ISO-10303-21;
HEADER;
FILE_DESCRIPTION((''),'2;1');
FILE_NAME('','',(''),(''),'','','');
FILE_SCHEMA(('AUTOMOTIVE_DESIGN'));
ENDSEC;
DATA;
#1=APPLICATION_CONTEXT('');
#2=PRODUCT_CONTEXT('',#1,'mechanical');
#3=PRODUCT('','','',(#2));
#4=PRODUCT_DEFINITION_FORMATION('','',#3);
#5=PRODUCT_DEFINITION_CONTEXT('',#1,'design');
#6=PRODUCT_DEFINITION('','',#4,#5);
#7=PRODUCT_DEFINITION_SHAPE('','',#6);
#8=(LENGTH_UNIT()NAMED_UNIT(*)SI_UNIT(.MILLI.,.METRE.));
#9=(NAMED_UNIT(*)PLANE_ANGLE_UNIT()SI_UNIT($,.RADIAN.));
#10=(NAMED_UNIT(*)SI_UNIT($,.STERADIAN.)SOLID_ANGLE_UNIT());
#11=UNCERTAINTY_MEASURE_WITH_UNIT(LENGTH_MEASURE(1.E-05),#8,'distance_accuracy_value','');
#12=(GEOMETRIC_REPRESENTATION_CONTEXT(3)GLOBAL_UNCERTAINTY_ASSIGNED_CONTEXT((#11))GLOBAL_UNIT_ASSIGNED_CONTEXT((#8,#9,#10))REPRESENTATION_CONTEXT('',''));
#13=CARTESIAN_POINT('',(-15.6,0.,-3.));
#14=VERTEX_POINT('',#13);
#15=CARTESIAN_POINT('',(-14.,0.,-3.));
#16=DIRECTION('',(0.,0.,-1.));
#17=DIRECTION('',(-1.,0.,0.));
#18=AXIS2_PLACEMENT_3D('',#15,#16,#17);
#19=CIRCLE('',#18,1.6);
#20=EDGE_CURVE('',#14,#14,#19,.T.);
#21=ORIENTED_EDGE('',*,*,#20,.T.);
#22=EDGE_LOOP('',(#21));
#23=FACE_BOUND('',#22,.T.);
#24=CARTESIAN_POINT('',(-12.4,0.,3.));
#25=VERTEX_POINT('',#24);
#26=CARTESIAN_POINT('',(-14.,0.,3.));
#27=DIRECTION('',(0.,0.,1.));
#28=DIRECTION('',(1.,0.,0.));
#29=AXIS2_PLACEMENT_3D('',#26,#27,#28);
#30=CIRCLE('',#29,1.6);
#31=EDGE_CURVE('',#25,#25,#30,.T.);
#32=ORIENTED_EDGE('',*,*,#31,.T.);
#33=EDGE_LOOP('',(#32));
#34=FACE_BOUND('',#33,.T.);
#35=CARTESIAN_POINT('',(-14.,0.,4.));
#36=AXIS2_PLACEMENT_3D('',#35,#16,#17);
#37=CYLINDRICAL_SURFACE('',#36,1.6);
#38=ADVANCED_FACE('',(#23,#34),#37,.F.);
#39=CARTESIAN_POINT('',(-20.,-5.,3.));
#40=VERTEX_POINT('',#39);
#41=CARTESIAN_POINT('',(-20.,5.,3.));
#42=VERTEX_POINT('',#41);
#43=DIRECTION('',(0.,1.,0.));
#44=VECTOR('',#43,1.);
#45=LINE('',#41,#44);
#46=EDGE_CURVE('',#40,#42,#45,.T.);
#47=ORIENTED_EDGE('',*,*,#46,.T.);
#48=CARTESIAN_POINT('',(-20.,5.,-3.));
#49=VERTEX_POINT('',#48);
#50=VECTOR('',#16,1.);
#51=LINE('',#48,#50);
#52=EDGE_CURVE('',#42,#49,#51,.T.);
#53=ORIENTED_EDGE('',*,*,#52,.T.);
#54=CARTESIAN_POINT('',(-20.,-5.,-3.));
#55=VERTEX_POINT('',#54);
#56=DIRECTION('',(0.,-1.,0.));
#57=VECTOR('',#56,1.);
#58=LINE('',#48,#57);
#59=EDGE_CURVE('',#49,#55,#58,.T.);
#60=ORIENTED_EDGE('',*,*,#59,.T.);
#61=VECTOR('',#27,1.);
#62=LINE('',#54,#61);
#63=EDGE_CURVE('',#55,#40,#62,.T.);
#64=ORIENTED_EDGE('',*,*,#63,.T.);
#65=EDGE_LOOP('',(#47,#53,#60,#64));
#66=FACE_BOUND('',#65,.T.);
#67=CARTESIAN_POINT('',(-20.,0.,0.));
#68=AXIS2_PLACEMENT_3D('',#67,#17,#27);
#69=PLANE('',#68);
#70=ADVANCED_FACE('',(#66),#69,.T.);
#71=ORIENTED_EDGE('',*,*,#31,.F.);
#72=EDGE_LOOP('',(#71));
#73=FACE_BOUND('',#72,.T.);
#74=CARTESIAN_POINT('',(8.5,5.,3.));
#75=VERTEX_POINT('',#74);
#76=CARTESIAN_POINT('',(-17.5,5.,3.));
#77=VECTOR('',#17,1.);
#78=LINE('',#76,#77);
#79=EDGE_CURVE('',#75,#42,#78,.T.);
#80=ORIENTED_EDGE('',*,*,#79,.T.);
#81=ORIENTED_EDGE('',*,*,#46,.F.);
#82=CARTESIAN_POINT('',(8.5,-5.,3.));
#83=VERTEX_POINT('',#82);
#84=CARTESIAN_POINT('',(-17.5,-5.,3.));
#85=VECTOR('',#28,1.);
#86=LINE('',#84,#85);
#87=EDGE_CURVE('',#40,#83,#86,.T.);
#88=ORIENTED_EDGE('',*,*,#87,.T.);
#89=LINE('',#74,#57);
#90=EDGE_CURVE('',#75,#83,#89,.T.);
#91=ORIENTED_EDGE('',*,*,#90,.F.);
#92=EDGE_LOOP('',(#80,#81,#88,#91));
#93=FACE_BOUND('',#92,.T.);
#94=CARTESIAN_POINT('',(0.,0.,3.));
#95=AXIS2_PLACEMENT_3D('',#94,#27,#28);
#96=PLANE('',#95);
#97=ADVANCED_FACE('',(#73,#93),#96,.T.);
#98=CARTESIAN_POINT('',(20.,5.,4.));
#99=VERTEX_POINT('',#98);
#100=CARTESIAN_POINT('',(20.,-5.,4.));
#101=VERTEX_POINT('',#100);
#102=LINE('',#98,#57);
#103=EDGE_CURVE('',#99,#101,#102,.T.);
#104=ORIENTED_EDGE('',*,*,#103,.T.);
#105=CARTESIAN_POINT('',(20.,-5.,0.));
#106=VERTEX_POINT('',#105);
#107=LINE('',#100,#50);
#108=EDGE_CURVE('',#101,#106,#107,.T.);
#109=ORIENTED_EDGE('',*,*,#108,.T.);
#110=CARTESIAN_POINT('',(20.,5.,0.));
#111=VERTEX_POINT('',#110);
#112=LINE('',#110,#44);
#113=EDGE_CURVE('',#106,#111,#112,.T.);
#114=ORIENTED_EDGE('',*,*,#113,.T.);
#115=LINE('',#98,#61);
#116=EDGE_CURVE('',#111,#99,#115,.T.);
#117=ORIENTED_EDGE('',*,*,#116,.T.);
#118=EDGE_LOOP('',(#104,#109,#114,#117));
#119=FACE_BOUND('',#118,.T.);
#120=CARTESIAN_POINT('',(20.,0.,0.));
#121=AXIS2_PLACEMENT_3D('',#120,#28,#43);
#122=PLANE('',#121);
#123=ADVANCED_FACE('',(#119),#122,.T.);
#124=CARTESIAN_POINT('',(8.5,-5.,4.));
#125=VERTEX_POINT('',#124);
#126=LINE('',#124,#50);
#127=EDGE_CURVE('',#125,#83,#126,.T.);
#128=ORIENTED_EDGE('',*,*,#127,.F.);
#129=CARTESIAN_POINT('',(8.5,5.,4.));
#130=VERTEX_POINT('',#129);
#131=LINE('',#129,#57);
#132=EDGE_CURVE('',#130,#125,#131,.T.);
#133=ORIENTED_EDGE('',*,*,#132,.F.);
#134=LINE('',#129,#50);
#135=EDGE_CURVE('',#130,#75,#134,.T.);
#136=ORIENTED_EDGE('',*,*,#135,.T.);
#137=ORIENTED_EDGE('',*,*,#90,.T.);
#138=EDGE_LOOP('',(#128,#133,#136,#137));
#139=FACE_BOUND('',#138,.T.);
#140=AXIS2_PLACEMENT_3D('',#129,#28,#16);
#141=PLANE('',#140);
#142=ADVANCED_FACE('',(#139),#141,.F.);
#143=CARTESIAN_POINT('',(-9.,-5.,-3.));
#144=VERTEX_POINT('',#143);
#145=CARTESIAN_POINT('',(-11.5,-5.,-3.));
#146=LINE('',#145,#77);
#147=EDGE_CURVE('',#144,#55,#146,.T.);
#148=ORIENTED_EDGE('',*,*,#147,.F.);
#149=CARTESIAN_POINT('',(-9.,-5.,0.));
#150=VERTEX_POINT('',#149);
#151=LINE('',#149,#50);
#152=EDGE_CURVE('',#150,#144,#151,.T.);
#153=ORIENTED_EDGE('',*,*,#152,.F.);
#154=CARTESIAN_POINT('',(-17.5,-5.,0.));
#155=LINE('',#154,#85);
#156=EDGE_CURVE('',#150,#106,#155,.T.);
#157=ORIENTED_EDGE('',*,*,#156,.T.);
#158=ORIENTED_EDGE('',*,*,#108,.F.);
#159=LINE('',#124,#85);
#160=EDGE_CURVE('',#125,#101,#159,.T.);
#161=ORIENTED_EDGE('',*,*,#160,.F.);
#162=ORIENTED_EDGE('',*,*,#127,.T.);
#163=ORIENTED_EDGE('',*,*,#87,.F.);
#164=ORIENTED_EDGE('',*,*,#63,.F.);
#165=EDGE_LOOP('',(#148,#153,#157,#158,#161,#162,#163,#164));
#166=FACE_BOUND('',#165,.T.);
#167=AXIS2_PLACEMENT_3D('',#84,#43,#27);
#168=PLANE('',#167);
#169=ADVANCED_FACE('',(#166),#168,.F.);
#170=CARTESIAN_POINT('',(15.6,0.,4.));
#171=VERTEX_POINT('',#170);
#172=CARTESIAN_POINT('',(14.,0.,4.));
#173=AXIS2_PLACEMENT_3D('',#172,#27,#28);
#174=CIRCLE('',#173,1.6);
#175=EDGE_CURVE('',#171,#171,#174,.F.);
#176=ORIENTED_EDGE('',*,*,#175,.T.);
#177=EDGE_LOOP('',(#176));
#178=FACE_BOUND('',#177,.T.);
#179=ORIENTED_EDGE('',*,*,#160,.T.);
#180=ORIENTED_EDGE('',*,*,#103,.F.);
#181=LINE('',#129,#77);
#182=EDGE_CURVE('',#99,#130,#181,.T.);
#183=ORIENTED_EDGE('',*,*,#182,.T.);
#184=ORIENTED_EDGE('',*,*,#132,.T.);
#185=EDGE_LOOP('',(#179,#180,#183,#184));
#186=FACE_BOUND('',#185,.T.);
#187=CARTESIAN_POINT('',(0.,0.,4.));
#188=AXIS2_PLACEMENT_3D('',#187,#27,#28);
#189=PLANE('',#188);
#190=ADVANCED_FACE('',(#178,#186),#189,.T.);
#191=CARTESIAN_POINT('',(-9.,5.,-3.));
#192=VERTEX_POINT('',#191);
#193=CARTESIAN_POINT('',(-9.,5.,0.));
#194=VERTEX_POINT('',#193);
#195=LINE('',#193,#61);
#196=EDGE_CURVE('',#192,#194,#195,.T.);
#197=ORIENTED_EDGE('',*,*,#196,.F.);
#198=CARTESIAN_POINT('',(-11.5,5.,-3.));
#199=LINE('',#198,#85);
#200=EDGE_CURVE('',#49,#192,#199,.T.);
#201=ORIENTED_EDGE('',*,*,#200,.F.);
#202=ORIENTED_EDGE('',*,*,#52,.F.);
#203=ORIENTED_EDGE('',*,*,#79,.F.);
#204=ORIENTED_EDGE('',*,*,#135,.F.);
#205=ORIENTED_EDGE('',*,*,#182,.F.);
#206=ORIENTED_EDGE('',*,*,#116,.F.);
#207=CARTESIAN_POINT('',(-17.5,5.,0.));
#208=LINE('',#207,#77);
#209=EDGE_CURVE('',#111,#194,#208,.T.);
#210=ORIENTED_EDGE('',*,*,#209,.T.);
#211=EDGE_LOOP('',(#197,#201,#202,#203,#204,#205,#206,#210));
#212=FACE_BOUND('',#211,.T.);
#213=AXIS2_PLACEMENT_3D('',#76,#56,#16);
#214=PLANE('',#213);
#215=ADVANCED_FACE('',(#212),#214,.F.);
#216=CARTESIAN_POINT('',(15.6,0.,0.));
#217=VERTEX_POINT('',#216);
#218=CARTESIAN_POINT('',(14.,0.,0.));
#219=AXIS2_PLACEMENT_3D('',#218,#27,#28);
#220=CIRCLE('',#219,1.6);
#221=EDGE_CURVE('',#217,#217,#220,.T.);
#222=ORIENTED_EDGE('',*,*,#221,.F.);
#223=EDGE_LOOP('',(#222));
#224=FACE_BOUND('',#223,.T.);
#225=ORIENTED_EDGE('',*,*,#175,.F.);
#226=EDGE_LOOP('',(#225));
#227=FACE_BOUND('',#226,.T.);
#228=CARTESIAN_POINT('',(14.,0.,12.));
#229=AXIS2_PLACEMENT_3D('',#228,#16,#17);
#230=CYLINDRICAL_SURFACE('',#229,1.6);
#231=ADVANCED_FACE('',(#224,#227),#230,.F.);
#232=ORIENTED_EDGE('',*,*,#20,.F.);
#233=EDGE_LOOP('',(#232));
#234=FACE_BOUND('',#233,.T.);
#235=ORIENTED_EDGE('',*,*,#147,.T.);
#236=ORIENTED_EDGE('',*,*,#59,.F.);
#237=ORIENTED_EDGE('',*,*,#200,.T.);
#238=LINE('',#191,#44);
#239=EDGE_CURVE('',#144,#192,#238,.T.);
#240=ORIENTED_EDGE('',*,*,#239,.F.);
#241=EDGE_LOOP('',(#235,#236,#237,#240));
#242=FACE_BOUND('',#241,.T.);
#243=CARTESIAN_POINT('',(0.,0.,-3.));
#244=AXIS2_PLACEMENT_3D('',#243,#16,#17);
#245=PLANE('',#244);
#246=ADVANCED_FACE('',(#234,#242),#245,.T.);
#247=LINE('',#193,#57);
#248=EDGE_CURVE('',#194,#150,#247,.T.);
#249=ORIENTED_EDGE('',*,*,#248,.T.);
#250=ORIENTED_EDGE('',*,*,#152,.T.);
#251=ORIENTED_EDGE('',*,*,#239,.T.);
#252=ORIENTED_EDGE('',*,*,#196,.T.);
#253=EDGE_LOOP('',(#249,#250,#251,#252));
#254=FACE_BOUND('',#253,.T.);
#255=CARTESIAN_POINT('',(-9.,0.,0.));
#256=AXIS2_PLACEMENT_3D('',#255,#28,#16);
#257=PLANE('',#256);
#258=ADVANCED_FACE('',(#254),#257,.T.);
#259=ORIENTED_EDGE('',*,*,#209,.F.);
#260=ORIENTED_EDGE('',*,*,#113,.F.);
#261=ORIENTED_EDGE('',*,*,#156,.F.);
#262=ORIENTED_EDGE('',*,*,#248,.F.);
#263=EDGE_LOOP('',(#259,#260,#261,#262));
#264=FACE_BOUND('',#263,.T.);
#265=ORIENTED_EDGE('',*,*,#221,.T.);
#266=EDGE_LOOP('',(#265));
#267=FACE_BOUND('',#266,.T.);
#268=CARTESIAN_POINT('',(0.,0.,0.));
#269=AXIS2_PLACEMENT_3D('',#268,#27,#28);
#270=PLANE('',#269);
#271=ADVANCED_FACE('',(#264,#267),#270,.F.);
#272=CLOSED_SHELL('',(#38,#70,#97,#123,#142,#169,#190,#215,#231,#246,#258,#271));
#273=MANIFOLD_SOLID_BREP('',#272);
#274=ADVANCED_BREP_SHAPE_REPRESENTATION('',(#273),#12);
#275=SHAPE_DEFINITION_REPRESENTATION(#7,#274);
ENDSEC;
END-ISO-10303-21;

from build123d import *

# Parameters (mm, degrees)
SKETCH_1_W               = 35
SKETCH_1_H               = 10
EXTRUDE_1_DEPTH          = 3
SKETCH_2_W               = 9
SKETCH_2_H               = 10
EXTRUDE_2_DEPTH          = 1
SKETCH_3_R               = 1
EXTRUDE_3_DEPTH          = 8
SKETCH_4_W               = 6
SKETCH_4_H               = 10
EXTRUDE_4_DEPTH          = 3
SKETCH_5_R               = 1.5
CUT_EXTRUDE_1_DEPTH      = 6
SKETCH_6_W               = 6
SKETCH_6_H               = 10
EXTRUDE_5_DEPTH          = 5
SKETCH_7_R               = 1.6
CUT_EXTRUDE_2_DEPTH      = 8
CUT_EXTRUDE_2_DEPTH_BACK = 4
SKETCH_8_W               = 4
SKETCH_8_H               = 10
EXTRUDE_6_DEPTH          = 2.5
SKETCH_10_R              = 1.6
CUT_EXTRUDE_3_DEPTH      = 7
SKETCH_11_W              = 3
SKETCH_11_H              = 10
EXTRUDE_7_DEPTH          = 2.5
SKETCH_12_W              = 6
SKETCH_12_H              = 10
CUT_EXTRUDE_4_DEPTH      = 2.5


with BuildPart() as part:
    # 草圖1 → 填料-伸長1 (new body)
    with BuildSketch(Plane.XY):
        Rectangle(SKETCH_1_W, SKETCH_1_H)
    extrude(amount=EXTRUDE_1_DEPTH)

    # 草圖2 → 填料-伸長2 (add)
    with BuildSketch(Plane.XY.offset(3)):
        with Locations((13, 0)):
            Rectangle(SKETCH_2_W, SKETCH_2_H)
    extrude(amount=EXTRUDE_2_DEPTH)

    # 草圖3 → 填料-伸長3 (add)
    with BuildSketch(Plane.XY.offset(4)):
        with Locations((14, 0)):
            Circle(SKETCH_3_R)
    extrude(amount=EXTRUDE_3_DEPTH)

    # 草圖4 → 填料-伸長4 (add)
    with BuildSketch(Plane(origin=(0, 0, 0), x_dir=(-1, 0, 0), z_dir=(0, 0, -1))):
        with Locations((14.5, 0)):
            Rectangle(SKETCH_4_W, SKETCH_4_H)
    extrude(amount=EXTRUDE_4_DEPTH)

    # 草圖5 → 除料-伸長1 (cut)
    with BuildSketch(Plane(origin=(0, 0, -3), x_dir=(-1, 0, 0), z_dir=(0, 0, -1))):
        with Locations((14, 0)):
            Circle(SKETCH_5_R)
    extrude(amount=-CUT_EXTRUDE_1_DEPTH, mode=Mode.SUBTRACT)

    # 草圖6 → 填料-伸長5 (add)
    with BuildSketch(Plane.ZY.offset(17.5)):
        Rectangle(SKETCH_6_W, SKETCH_6_H)
    extrude(amount=EXTRUDE_5_DEPTH)

    # 草圖7 → 除料-伸長2 (cut, two sides)
    with BuildSketch(Plane.XY.offset(4)) as cut_extrude_2_sk:
        with Locations((14, 0)):
            Circle(SKETCH_7_R)
    extrude(amount=CUT_EXTRUDE_2_DEPTH, mode=Mode.SUBTRACT)
    extrude(cut_extrude_2_sk.sketch, amount=-CUT_EXTRUDE_2_DEPTH_BACK, mode=Mode.SUBTRACT)

    # 草圖8 → 填料-伸長6 (add)
    with BuildSketch(Plane(origin=(17.5, 0, 0), x_dir=(0, 0, -1), z_dir=(1, 0, 0))):
        with Locations((-2, 0)):
            Rectangle(SKETCH_8_W, SKETCH_8_H)
    extrude(amount=EXTRUDE_6_DEPTH)

    # 草圖10 → 除料-伸長3 (cut)
    with BuildSketch(Plane(origin=(0, 0, -3), x_dir=(-1, 0, 0), z_dir=(0, 0, -1))):
        with Locations((14, 0)):
            Circle(SKETCH_10_R)
    extrude(amount=-CUT_EXTRUDE_3_DEPTH, mode=Mode.SUBTRACT)

    # 草圖11 → 填料-伸長7 (add)
    with BuildSketch(Plane(origin=(-11.5, 0, 0), x_dir=(0, 0, -1), z_dir=(1, 0, 0))):
        with Locations((1.5, 0)):
            Rectangle(SKETCH_11_W, SKETCH_11_H)
    extrude(amount=EXTRUDE_7_DEPTH)

    # 草圖12 → 除料-伸長4 (cut)
    with BuildSketch(Plane.ZY.offset(22.5)):
        Rectangle(SKETCH_12_W, SKETCH_12_H)
    extrude(amount=-CUT_EXTRUDE_4_DEPTH, mode=Mode.SUBTRACT)


solid = part.part
